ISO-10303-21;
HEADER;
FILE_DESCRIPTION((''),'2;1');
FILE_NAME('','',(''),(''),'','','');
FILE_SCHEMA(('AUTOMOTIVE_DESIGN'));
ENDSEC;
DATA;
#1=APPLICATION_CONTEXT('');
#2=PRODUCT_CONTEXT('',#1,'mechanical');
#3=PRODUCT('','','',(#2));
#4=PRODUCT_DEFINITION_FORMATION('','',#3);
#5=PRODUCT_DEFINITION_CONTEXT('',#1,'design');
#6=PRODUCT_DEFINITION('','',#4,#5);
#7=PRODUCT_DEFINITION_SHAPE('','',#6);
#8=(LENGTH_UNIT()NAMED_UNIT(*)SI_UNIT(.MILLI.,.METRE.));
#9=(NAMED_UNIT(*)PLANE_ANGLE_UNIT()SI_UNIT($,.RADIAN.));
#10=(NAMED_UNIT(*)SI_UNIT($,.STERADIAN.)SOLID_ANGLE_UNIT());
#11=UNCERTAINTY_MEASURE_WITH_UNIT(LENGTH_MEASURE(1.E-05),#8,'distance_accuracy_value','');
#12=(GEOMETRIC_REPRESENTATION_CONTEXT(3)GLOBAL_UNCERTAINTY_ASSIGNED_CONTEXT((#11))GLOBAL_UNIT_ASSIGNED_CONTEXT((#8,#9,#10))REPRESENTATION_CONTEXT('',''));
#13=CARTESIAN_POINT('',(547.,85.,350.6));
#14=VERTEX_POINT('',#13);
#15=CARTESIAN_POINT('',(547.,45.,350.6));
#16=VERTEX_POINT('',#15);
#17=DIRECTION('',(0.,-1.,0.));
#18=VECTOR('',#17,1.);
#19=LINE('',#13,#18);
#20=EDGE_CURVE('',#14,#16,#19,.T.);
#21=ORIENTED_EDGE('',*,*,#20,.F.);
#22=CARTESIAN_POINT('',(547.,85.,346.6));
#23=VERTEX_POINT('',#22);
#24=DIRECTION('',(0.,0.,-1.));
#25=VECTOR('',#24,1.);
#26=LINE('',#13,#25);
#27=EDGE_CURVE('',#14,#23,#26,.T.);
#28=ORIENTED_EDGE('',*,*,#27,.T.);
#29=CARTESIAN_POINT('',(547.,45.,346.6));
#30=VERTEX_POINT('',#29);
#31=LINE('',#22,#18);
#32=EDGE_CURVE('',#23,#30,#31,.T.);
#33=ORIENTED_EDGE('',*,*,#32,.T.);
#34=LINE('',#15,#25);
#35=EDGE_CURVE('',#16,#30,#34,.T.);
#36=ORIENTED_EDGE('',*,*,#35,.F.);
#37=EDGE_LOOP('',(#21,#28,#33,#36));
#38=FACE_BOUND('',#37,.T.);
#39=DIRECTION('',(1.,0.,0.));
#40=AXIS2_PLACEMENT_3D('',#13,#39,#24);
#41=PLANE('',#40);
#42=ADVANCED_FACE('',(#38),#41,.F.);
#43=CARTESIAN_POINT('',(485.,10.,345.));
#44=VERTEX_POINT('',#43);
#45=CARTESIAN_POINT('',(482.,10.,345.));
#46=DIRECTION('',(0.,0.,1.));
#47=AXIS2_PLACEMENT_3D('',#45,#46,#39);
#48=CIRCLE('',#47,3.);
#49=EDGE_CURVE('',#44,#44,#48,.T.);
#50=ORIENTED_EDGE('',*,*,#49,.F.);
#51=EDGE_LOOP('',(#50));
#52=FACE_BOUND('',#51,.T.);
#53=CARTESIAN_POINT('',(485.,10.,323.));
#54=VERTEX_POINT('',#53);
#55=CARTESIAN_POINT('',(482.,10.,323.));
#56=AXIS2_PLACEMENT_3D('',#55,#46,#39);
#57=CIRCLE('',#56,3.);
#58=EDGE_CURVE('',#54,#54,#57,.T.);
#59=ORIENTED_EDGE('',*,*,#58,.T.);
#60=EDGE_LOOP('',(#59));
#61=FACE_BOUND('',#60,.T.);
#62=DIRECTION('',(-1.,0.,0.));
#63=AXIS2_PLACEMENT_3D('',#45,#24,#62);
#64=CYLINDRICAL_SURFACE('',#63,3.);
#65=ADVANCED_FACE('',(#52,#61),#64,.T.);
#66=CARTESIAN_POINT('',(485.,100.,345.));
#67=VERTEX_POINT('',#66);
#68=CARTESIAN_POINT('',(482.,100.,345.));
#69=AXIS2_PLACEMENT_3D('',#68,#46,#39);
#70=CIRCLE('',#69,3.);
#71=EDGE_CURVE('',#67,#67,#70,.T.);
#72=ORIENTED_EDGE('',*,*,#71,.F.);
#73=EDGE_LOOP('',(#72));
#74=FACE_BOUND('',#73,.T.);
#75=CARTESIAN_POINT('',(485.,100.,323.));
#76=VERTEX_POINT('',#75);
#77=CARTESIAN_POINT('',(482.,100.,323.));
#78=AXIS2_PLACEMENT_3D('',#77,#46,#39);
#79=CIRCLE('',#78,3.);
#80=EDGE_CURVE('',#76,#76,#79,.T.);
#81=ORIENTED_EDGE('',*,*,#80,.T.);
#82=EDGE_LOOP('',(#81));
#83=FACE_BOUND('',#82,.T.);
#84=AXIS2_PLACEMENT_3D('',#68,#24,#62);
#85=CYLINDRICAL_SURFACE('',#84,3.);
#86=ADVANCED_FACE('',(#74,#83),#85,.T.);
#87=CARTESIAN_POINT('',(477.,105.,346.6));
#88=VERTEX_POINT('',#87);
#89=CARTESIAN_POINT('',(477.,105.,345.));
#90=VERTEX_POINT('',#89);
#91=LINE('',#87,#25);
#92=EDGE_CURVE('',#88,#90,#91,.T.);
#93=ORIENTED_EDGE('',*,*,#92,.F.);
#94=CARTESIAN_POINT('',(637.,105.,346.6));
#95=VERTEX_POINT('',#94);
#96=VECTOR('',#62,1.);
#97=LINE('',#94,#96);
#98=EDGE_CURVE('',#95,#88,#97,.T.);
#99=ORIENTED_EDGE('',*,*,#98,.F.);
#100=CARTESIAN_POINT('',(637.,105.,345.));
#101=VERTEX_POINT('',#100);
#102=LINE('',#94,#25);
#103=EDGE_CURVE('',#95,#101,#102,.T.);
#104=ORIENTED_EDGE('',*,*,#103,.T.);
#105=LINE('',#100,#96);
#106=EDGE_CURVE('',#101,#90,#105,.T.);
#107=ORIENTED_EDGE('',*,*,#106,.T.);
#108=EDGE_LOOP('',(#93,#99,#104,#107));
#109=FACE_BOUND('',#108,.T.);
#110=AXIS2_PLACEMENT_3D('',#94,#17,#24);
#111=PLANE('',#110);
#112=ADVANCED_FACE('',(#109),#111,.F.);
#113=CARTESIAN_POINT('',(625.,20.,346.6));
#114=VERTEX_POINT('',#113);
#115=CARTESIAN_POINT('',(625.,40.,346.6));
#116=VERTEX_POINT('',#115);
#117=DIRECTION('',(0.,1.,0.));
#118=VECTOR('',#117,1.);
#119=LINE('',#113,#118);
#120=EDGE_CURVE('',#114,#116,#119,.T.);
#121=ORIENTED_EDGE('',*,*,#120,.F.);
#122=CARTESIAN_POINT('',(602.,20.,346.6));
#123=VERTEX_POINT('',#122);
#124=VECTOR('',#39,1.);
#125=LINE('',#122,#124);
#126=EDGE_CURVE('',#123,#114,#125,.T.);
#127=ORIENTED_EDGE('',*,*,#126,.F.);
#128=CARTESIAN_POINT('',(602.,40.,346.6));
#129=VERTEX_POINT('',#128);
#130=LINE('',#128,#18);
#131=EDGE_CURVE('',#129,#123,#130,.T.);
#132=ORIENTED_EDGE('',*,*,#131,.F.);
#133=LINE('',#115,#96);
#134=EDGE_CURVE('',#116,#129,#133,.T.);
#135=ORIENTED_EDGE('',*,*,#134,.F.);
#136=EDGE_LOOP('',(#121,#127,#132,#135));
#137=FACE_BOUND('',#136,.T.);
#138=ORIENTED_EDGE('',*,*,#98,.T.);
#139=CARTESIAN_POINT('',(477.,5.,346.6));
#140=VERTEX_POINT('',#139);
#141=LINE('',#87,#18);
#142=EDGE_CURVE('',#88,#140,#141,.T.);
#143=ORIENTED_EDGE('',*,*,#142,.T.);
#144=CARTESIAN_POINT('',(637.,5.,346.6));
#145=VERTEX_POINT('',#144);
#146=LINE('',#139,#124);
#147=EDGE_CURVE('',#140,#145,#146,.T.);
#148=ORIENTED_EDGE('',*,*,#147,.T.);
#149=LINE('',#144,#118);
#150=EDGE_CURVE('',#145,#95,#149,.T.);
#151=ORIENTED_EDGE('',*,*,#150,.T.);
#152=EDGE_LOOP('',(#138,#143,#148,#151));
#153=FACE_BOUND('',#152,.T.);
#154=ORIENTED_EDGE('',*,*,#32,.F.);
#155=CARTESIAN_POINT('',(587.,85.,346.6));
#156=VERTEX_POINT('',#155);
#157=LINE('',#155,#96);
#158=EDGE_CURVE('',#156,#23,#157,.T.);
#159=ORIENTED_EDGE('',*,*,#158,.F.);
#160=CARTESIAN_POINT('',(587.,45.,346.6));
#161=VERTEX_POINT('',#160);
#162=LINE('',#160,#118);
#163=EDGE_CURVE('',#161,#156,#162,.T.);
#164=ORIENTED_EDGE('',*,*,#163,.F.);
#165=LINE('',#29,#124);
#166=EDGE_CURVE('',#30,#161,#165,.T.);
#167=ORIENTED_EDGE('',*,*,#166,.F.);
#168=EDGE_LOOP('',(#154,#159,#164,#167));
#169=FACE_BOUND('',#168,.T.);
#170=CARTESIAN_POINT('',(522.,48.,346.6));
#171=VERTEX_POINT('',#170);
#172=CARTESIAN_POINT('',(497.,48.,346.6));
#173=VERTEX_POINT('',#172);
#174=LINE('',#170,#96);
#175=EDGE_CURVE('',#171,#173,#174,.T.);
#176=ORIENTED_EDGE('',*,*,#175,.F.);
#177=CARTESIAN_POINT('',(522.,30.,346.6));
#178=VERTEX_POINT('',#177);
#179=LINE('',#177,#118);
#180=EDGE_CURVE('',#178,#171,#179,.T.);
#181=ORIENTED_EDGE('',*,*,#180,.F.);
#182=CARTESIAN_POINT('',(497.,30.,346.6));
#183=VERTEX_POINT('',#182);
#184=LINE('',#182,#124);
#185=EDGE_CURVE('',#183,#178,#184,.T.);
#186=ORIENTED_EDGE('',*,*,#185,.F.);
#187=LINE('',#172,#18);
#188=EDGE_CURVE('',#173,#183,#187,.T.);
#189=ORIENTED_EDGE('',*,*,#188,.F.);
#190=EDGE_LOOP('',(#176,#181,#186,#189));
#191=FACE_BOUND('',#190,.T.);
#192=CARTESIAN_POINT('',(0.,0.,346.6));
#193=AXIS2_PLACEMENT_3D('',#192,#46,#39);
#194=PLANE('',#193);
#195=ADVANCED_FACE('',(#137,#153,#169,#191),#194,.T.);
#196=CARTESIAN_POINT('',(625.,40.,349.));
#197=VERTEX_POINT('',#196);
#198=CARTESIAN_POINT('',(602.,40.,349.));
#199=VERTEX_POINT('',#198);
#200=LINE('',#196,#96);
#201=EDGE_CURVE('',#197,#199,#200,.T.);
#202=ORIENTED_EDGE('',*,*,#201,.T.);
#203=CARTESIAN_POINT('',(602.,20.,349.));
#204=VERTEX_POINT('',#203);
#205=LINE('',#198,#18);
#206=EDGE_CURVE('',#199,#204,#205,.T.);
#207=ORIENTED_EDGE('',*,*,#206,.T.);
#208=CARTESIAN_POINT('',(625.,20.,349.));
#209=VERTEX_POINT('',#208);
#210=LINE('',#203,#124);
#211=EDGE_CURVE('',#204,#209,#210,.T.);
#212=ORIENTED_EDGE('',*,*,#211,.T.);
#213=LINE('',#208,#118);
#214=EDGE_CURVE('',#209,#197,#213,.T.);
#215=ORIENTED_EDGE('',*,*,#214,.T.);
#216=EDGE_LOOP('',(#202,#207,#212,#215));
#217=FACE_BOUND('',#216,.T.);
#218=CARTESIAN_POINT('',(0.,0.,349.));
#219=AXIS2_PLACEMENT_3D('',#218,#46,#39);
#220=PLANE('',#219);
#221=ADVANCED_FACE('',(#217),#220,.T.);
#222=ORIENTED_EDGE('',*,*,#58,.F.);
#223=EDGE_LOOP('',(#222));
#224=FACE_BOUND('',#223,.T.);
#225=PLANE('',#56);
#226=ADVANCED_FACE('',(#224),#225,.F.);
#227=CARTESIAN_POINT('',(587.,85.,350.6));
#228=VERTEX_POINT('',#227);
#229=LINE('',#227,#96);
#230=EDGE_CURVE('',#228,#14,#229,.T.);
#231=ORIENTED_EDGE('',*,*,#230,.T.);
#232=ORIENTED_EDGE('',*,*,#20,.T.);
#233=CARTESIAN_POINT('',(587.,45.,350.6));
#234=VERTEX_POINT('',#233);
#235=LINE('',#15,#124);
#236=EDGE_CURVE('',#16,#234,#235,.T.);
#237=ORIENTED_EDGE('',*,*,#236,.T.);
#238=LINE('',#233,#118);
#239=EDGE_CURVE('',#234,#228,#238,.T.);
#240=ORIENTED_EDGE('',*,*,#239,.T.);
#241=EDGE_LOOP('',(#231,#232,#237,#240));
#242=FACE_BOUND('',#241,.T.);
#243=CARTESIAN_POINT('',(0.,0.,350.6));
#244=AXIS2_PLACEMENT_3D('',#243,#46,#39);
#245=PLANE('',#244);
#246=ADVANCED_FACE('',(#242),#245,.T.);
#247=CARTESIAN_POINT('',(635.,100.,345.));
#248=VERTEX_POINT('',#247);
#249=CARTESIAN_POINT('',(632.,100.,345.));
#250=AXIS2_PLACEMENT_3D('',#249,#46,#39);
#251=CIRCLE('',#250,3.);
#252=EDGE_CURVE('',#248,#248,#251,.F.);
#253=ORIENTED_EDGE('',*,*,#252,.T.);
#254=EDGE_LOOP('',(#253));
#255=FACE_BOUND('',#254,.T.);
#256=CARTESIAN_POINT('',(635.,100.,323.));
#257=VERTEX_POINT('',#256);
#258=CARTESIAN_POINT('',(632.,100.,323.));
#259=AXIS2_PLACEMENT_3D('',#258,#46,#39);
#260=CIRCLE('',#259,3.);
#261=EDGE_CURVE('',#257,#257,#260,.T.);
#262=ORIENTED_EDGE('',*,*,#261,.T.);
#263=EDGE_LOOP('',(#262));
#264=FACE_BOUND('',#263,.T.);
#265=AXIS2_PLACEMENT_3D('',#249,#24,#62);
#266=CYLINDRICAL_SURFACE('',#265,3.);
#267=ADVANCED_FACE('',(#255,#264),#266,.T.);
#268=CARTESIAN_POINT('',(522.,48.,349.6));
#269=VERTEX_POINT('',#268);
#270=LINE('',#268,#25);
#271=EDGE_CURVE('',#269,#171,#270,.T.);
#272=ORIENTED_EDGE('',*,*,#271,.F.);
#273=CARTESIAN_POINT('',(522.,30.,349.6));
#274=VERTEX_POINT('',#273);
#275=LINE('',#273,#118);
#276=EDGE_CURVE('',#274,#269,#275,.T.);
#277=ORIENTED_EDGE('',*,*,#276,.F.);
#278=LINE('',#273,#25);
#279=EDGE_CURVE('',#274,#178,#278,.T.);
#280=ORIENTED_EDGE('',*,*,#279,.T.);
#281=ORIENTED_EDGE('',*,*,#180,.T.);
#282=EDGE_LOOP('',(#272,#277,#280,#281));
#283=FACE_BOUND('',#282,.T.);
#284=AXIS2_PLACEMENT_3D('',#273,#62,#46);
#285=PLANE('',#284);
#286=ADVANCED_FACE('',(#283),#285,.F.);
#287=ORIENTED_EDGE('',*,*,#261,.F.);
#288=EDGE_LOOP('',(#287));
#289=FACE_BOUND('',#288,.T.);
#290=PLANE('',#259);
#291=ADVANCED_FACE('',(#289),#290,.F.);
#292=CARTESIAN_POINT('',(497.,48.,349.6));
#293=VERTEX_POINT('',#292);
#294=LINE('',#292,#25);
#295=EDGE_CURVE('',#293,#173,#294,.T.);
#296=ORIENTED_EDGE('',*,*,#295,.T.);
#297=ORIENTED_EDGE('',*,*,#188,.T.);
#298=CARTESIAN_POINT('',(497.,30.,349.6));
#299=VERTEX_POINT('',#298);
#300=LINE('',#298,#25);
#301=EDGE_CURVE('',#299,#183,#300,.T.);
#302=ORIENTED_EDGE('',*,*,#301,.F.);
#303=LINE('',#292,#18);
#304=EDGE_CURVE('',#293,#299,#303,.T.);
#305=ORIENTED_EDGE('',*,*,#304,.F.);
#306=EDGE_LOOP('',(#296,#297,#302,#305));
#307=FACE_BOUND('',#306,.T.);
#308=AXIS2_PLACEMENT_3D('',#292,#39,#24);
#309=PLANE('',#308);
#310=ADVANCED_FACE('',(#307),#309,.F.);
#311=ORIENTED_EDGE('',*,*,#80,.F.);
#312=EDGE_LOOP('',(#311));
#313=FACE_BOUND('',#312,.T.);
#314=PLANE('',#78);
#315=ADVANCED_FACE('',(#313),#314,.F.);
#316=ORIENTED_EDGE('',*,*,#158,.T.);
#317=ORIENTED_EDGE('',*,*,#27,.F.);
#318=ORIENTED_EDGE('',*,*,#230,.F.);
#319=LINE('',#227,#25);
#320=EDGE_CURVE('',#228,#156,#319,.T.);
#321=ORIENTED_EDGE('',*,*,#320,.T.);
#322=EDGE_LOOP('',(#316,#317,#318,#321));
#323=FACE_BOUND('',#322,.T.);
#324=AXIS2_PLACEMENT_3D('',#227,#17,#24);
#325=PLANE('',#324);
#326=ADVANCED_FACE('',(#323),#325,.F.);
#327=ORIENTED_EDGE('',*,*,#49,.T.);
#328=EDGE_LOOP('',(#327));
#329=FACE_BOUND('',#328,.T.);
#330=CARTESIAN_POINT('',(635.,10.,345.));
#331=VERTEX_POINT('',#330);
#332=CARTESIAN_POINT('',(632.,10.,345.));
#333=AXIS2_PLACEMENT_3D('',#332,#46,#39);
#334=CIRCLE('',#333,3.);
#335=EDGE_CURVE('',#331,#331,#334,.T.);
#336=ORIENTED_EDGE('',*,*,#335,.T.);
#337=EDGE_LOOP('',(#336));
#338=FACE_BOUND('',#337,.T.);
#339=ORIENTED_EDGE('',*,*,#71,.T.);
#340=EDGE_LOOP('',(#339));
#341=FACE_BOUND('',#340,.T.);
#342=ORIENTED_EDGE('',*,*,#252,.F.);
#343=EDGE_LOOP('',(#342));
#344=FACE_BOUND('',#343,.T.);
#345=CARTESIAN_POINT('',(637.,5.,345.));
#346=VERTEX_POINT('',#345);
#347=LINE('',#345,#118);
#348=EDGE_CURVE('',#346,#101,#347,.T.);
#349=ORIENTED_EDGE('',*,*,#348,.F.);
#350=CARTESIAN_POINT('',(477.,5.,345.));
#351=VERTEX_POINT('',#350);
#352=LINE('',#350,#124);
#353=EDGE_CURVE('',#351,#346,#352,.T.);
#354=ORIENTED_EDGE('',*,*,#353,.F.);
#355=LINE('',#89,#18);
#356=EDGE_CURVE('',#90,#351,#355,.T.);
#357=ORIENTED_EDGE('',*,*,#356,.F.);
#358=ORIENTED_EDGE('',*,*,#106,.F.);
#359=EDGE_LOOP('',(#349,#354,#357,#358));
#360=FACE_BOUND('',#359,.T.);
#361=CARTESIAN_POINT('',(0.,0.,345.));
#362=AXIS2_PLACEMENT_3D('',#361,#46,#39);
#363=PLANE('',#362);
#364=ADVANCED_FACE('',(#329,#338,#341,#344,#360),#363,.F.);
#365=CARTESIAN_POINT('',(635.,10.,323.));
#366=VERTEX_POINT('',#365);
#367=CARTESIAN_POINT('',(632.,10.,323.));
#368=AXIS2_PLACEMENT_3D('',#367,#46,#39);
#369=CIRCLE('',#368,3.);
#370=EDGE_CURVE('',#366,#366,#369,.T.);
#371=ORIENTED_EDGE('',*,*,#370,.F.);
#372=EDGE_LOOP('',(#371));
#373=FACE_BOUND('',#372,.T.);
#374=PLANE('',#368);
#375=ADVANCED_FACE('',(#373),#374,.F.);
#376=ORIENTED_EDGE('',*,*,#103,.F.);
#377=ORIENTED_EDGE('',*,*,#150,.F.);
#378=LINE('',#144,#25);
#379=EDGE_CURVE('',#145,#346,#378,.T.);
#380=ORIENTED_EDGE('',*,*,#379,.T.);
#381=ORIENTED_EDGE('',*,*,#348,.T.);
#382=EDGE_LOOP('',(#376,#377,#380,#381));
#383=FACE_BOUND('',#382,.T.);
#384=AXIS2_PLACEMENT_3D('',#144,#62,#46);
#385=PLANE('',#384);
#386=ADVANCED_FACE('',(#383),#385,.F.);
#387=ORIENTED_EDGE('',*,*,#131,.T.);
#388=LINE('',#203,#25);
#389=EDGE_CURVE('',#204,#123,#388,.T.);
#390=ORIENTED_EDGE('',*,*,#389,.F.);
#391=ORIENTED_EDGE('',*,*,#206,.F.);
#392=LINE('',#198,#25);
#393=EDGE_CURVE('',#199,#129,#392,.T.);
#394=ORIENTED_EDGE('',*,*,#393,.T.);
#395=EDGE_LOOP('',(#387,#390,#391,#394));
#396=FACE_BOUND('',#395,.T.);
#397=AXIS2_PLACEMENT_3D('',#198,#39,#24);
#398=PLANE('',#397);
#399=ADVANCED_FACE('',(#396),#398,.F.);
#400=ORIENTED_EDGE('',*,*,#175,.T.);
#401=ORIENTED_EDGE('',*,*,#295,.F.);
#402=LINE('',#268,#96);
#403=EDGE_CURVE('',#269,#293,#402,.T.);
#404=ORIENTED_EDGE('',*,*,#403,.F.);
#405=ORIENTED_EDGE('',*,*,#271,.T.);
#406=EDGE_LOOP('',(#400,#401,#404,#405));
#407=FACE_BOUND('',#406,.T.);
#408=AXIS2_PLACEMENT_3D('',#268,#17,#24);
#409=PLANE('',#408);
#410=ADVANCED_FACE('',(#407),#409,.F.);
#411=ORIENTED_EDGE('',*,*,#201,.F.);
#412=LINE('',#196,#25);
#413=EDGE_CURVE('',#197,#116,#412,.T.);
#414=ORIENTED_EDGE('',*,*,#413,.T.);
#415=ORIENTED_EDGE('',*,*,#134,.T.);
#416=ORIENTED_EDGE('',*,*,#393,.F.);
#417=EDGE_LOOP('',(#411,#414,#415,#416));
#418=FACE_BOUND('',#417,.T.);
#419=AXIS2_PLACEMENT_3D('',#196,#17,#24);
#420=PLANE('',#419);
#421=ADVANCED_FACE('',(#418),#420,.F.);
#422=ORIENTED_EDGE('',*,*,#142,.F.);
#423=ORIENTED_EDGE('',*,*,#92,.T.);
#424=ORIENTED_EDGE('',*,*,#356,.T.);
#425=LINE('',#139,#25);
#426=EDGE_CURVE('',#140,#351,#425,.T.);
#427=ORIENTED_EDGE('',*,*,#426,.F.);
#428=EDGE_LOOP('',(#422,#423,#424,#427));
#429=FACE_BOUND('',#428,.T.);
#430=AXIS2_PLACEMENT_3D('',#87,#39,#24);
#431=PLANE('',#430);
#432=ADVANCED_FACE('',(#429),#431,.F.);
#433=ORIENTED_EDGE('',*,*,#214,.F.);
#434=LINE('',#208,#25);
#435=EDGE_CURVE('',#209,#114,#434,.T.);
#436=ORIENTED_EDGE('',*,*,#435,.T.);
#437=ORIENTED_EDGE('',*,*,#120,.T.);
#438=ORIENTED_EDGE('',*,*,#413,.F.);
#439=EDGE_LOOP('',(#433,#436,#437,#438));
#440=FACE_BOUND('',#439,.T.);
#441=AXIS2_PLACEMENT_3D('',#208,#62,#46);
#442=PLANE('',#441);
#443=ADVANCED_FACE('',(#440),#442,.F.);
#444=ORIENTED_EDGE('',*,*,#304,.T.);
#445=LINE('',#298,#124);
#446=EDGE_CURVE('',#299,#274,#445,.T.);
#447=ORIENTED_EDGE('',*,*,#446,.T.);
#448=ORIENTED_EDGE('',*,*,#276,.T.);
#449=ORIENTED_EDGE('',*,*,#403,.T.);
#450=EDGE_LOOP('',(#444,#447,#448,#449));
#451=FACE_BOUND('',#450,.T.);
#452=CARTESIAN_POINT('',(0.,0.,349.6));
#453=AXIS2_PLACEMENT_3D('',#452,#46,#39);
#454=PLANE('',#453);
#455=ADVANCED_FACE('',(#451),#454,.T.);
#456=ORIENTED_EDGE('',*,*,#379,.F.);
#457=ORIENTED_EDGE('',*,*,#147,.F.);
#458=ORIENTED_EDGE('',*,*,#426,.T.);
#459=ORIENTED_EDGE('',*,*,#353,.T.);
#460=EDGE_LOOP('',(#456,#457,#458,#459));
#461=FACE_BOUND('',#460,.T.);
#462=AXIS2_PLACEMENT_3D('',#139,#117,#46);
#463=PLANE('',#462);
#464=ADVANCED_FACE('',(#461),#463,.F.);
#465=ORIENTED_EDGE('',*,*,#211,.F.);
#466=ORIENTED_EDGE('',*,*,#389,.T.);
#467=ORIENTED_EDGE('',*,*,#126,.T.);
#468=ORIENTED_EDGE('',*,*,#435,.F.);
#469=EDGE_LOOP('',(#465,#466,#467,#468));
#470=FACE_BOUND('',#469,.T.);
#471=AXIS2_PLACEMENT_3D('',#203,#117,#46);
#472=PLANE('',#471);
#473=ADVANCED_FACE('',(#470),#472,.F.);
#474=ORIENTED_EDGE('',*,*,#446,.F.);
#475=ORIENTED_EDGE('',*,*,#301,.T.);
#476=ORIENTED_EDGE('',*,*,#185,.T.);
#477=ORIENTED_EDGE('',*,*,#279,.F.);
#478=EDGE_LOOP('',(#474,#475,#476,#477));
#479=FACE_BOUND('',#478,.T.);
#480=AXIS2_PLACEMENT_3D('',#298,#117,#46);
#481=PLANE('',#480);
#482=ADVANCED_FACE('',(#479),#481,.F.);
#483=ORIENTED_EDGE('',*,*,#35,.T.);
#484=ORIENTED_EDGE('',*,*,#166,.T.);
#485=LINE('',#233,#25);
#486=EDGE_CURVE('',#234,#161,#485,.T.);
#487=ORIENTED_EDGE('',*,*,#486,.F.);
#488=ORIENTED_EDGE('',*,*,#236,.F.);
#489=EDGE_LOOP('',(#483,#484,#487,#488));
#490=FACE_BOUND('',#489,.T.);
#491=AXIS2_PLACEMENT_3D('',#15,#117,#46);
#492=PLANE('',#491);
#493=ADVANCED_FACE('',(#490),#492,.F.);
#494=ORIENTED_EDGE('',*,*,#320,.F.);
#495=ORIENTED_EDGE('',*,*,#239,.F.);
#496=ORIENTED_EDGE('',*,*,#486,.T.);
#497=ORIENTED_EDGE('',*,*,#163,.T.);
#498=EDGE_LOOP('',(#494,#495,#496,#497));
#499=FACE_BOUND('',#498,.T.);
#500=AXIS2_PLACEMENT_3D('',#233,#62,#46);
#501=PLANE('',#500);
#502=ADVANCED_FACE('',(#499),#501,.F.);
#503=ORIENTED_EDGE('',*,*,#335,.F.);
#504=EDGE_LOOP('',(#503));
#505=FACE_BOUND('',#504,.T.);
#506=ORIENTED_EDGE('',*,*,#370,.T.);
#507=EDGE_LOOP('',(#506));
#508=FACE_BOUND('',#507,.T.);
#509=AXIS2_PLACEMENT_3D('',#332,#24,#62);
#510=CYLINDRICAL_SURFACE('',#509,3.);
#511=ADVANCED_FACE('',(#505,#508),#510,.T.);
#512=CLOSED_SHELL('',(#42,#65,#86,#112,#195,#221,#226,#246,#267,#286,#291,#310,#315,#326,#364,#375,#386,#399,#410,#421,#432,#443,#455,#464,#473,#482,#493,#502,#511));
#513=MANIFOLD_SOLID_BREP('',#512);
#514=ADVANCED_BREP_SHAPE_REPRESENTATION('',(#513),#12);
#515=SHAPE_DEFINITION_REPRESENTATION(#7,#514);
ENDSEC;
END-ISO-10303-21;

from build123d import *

# Parameters (mm, degrees)
EXTRUDE_START      = 345
EXTRUDE_SKETCH_1_W = 160
EXTRUDE_SKETCH_1_H = 100
EXTRUDE_1_DEPTH    = 1.6
EXTRUDE_START_2    = 346.6
EXTRUDE_SKETCH_2_W = 25
EXTRUDE_SKETCH_2_H = 18
EXTRUDE_2_DEPTH    = 3
EXTRUDE_SKETCH_3_W = 40
EXTRUDE_SKETCH_3_H = 40
EXTRUDE_3_DEPTH    = 4
EXTRUDE_SKETCH_4_W = 23
EXTRUDE_SKETCH_4_H = 20
EXTRUDE_4_DEPTH    = 2.4
EXTRUDE_START_3    = 323
EXTRUDE_SKETCH_5_R = 3
EXTRUDE_5_DEPTH    = 22
EXTRUDE_SKETCH_6_R = 3
EXTRUDE_6_DEPTH    = 22
EXTRUDE_SKETCH_7_R = 3
EXTRUDE_7_DEPTH    = 22
EXTRUDE_SKETCH_8_R = 3
EXTRUDE_8_DEPTH    = 22


with BuildPart() as part:
    # Extrude sketch 1 → Extrude 1 (new body)
    with BuildSketch(Plane.XY.offset(EXTRUDE_START)):
        with Locations((557, 55)):
            Rectangle(EXTRUDE_SKETCH_1_W, EXTRUDE_SKETCH_1_H)
    extrude(amount=EXTRUDE_1_DEPTH)


with BuildPart() as body_2:
    # Extrude sketch 2 → Extrude 2 (new body)
    with BuildSketch(Plane.XY.offset(EXTRUDE_START_2)):
        with Locations((509.5, 39)):
            Rectangle(EXTRUDE_SKETCH_2_W, EXTRUDE_SKETCH_2_H)
    extrude(amount=EXTRUDE_2_DEPTH)


with BuildPart() as body_3:
    # Extrude sketch 3 → Extrude 3 (new body)
    with BuildSketch(Plane.XY.offset(EXTRUDE_START_2)):
        with Locations((567, 65)):
            Rectangle(EXTRUDE_SKETCH_3_W, EXTRUDE_SKETCH_3_H)
    extrude(amount=EXTRUDE_3_DEPTH)


with BuildPart() as body_4:
    # Extrude sketch 4 → Extrude 4 (new body)
    with BuildSketch(Plane.XY.offset(EXTRUDE_START_2)):
        with Locations((613.5, 30)):
            Rectangle(EXTRUDE_SKETCH_4_W, EXTRUDE_SKETCH_4_H)
    extrude(amount=EXTRUDE_4_DEPTH)


with BuildPart() as body_5:
    # Extrude sketch 5 → Extrude 5 (new body)
    with BuildSketch(Plane.XY.offset(EXTRUDE_START_3)):
        with Locations((482, 10)):
            Circle(EXTRUDE_SKETCH_5_R)
    extrude(amount=EXTRUDE_5_DEPTH)


with BuildPart() as body_6:
    # Extrude sketch 6 → Extrude 6 (new body)
    with BuildSketch(Plane.XY.offset(EXTRUDE_START_3)):
        with Locations((482, 100)):
            Circle(EXTRUDE_SKETCH_6_R)
    extrude(amount=EXTRUDE_6_DEPTH)


with BuildPart() as body_7:
    # Extrude sketch 7 → Extrude 7 (new body)
    with BuildSketch(Plane.XY.offset(EXTRUDE_START_3)):
        with Locations((632, 10)):
            Circle(EXTRUDE_SKETCH_7_R)
    extrude(amount=EXTRUDE_7_DEPTH)


with BuildPart() as body_8:
    # Extrude sketch 8 → Extrude 8 (new body)
    with BuildSketch(Plane.XY.offset(EXTRUDE_START_3)):
        with Locations((632, 100)):
            Circle(EXTRUDE_SKETCH_8_R)
    extrude(amount=EXTRUDE_8_DEPTH)


with BuildPart() as body_5_1:
    add(body_5.part)

    # Combine (weld / assembly of features): union body 3, body 6, part, body 7, body 2, body 8, body 4
    add(body_3.part)
    add(body_6.part)
    add(part.part)
    add(body_7.part)
    add(body_2.part)
    add(body_8.part)
    add(body_4.part)


solid = body_5_1.part
